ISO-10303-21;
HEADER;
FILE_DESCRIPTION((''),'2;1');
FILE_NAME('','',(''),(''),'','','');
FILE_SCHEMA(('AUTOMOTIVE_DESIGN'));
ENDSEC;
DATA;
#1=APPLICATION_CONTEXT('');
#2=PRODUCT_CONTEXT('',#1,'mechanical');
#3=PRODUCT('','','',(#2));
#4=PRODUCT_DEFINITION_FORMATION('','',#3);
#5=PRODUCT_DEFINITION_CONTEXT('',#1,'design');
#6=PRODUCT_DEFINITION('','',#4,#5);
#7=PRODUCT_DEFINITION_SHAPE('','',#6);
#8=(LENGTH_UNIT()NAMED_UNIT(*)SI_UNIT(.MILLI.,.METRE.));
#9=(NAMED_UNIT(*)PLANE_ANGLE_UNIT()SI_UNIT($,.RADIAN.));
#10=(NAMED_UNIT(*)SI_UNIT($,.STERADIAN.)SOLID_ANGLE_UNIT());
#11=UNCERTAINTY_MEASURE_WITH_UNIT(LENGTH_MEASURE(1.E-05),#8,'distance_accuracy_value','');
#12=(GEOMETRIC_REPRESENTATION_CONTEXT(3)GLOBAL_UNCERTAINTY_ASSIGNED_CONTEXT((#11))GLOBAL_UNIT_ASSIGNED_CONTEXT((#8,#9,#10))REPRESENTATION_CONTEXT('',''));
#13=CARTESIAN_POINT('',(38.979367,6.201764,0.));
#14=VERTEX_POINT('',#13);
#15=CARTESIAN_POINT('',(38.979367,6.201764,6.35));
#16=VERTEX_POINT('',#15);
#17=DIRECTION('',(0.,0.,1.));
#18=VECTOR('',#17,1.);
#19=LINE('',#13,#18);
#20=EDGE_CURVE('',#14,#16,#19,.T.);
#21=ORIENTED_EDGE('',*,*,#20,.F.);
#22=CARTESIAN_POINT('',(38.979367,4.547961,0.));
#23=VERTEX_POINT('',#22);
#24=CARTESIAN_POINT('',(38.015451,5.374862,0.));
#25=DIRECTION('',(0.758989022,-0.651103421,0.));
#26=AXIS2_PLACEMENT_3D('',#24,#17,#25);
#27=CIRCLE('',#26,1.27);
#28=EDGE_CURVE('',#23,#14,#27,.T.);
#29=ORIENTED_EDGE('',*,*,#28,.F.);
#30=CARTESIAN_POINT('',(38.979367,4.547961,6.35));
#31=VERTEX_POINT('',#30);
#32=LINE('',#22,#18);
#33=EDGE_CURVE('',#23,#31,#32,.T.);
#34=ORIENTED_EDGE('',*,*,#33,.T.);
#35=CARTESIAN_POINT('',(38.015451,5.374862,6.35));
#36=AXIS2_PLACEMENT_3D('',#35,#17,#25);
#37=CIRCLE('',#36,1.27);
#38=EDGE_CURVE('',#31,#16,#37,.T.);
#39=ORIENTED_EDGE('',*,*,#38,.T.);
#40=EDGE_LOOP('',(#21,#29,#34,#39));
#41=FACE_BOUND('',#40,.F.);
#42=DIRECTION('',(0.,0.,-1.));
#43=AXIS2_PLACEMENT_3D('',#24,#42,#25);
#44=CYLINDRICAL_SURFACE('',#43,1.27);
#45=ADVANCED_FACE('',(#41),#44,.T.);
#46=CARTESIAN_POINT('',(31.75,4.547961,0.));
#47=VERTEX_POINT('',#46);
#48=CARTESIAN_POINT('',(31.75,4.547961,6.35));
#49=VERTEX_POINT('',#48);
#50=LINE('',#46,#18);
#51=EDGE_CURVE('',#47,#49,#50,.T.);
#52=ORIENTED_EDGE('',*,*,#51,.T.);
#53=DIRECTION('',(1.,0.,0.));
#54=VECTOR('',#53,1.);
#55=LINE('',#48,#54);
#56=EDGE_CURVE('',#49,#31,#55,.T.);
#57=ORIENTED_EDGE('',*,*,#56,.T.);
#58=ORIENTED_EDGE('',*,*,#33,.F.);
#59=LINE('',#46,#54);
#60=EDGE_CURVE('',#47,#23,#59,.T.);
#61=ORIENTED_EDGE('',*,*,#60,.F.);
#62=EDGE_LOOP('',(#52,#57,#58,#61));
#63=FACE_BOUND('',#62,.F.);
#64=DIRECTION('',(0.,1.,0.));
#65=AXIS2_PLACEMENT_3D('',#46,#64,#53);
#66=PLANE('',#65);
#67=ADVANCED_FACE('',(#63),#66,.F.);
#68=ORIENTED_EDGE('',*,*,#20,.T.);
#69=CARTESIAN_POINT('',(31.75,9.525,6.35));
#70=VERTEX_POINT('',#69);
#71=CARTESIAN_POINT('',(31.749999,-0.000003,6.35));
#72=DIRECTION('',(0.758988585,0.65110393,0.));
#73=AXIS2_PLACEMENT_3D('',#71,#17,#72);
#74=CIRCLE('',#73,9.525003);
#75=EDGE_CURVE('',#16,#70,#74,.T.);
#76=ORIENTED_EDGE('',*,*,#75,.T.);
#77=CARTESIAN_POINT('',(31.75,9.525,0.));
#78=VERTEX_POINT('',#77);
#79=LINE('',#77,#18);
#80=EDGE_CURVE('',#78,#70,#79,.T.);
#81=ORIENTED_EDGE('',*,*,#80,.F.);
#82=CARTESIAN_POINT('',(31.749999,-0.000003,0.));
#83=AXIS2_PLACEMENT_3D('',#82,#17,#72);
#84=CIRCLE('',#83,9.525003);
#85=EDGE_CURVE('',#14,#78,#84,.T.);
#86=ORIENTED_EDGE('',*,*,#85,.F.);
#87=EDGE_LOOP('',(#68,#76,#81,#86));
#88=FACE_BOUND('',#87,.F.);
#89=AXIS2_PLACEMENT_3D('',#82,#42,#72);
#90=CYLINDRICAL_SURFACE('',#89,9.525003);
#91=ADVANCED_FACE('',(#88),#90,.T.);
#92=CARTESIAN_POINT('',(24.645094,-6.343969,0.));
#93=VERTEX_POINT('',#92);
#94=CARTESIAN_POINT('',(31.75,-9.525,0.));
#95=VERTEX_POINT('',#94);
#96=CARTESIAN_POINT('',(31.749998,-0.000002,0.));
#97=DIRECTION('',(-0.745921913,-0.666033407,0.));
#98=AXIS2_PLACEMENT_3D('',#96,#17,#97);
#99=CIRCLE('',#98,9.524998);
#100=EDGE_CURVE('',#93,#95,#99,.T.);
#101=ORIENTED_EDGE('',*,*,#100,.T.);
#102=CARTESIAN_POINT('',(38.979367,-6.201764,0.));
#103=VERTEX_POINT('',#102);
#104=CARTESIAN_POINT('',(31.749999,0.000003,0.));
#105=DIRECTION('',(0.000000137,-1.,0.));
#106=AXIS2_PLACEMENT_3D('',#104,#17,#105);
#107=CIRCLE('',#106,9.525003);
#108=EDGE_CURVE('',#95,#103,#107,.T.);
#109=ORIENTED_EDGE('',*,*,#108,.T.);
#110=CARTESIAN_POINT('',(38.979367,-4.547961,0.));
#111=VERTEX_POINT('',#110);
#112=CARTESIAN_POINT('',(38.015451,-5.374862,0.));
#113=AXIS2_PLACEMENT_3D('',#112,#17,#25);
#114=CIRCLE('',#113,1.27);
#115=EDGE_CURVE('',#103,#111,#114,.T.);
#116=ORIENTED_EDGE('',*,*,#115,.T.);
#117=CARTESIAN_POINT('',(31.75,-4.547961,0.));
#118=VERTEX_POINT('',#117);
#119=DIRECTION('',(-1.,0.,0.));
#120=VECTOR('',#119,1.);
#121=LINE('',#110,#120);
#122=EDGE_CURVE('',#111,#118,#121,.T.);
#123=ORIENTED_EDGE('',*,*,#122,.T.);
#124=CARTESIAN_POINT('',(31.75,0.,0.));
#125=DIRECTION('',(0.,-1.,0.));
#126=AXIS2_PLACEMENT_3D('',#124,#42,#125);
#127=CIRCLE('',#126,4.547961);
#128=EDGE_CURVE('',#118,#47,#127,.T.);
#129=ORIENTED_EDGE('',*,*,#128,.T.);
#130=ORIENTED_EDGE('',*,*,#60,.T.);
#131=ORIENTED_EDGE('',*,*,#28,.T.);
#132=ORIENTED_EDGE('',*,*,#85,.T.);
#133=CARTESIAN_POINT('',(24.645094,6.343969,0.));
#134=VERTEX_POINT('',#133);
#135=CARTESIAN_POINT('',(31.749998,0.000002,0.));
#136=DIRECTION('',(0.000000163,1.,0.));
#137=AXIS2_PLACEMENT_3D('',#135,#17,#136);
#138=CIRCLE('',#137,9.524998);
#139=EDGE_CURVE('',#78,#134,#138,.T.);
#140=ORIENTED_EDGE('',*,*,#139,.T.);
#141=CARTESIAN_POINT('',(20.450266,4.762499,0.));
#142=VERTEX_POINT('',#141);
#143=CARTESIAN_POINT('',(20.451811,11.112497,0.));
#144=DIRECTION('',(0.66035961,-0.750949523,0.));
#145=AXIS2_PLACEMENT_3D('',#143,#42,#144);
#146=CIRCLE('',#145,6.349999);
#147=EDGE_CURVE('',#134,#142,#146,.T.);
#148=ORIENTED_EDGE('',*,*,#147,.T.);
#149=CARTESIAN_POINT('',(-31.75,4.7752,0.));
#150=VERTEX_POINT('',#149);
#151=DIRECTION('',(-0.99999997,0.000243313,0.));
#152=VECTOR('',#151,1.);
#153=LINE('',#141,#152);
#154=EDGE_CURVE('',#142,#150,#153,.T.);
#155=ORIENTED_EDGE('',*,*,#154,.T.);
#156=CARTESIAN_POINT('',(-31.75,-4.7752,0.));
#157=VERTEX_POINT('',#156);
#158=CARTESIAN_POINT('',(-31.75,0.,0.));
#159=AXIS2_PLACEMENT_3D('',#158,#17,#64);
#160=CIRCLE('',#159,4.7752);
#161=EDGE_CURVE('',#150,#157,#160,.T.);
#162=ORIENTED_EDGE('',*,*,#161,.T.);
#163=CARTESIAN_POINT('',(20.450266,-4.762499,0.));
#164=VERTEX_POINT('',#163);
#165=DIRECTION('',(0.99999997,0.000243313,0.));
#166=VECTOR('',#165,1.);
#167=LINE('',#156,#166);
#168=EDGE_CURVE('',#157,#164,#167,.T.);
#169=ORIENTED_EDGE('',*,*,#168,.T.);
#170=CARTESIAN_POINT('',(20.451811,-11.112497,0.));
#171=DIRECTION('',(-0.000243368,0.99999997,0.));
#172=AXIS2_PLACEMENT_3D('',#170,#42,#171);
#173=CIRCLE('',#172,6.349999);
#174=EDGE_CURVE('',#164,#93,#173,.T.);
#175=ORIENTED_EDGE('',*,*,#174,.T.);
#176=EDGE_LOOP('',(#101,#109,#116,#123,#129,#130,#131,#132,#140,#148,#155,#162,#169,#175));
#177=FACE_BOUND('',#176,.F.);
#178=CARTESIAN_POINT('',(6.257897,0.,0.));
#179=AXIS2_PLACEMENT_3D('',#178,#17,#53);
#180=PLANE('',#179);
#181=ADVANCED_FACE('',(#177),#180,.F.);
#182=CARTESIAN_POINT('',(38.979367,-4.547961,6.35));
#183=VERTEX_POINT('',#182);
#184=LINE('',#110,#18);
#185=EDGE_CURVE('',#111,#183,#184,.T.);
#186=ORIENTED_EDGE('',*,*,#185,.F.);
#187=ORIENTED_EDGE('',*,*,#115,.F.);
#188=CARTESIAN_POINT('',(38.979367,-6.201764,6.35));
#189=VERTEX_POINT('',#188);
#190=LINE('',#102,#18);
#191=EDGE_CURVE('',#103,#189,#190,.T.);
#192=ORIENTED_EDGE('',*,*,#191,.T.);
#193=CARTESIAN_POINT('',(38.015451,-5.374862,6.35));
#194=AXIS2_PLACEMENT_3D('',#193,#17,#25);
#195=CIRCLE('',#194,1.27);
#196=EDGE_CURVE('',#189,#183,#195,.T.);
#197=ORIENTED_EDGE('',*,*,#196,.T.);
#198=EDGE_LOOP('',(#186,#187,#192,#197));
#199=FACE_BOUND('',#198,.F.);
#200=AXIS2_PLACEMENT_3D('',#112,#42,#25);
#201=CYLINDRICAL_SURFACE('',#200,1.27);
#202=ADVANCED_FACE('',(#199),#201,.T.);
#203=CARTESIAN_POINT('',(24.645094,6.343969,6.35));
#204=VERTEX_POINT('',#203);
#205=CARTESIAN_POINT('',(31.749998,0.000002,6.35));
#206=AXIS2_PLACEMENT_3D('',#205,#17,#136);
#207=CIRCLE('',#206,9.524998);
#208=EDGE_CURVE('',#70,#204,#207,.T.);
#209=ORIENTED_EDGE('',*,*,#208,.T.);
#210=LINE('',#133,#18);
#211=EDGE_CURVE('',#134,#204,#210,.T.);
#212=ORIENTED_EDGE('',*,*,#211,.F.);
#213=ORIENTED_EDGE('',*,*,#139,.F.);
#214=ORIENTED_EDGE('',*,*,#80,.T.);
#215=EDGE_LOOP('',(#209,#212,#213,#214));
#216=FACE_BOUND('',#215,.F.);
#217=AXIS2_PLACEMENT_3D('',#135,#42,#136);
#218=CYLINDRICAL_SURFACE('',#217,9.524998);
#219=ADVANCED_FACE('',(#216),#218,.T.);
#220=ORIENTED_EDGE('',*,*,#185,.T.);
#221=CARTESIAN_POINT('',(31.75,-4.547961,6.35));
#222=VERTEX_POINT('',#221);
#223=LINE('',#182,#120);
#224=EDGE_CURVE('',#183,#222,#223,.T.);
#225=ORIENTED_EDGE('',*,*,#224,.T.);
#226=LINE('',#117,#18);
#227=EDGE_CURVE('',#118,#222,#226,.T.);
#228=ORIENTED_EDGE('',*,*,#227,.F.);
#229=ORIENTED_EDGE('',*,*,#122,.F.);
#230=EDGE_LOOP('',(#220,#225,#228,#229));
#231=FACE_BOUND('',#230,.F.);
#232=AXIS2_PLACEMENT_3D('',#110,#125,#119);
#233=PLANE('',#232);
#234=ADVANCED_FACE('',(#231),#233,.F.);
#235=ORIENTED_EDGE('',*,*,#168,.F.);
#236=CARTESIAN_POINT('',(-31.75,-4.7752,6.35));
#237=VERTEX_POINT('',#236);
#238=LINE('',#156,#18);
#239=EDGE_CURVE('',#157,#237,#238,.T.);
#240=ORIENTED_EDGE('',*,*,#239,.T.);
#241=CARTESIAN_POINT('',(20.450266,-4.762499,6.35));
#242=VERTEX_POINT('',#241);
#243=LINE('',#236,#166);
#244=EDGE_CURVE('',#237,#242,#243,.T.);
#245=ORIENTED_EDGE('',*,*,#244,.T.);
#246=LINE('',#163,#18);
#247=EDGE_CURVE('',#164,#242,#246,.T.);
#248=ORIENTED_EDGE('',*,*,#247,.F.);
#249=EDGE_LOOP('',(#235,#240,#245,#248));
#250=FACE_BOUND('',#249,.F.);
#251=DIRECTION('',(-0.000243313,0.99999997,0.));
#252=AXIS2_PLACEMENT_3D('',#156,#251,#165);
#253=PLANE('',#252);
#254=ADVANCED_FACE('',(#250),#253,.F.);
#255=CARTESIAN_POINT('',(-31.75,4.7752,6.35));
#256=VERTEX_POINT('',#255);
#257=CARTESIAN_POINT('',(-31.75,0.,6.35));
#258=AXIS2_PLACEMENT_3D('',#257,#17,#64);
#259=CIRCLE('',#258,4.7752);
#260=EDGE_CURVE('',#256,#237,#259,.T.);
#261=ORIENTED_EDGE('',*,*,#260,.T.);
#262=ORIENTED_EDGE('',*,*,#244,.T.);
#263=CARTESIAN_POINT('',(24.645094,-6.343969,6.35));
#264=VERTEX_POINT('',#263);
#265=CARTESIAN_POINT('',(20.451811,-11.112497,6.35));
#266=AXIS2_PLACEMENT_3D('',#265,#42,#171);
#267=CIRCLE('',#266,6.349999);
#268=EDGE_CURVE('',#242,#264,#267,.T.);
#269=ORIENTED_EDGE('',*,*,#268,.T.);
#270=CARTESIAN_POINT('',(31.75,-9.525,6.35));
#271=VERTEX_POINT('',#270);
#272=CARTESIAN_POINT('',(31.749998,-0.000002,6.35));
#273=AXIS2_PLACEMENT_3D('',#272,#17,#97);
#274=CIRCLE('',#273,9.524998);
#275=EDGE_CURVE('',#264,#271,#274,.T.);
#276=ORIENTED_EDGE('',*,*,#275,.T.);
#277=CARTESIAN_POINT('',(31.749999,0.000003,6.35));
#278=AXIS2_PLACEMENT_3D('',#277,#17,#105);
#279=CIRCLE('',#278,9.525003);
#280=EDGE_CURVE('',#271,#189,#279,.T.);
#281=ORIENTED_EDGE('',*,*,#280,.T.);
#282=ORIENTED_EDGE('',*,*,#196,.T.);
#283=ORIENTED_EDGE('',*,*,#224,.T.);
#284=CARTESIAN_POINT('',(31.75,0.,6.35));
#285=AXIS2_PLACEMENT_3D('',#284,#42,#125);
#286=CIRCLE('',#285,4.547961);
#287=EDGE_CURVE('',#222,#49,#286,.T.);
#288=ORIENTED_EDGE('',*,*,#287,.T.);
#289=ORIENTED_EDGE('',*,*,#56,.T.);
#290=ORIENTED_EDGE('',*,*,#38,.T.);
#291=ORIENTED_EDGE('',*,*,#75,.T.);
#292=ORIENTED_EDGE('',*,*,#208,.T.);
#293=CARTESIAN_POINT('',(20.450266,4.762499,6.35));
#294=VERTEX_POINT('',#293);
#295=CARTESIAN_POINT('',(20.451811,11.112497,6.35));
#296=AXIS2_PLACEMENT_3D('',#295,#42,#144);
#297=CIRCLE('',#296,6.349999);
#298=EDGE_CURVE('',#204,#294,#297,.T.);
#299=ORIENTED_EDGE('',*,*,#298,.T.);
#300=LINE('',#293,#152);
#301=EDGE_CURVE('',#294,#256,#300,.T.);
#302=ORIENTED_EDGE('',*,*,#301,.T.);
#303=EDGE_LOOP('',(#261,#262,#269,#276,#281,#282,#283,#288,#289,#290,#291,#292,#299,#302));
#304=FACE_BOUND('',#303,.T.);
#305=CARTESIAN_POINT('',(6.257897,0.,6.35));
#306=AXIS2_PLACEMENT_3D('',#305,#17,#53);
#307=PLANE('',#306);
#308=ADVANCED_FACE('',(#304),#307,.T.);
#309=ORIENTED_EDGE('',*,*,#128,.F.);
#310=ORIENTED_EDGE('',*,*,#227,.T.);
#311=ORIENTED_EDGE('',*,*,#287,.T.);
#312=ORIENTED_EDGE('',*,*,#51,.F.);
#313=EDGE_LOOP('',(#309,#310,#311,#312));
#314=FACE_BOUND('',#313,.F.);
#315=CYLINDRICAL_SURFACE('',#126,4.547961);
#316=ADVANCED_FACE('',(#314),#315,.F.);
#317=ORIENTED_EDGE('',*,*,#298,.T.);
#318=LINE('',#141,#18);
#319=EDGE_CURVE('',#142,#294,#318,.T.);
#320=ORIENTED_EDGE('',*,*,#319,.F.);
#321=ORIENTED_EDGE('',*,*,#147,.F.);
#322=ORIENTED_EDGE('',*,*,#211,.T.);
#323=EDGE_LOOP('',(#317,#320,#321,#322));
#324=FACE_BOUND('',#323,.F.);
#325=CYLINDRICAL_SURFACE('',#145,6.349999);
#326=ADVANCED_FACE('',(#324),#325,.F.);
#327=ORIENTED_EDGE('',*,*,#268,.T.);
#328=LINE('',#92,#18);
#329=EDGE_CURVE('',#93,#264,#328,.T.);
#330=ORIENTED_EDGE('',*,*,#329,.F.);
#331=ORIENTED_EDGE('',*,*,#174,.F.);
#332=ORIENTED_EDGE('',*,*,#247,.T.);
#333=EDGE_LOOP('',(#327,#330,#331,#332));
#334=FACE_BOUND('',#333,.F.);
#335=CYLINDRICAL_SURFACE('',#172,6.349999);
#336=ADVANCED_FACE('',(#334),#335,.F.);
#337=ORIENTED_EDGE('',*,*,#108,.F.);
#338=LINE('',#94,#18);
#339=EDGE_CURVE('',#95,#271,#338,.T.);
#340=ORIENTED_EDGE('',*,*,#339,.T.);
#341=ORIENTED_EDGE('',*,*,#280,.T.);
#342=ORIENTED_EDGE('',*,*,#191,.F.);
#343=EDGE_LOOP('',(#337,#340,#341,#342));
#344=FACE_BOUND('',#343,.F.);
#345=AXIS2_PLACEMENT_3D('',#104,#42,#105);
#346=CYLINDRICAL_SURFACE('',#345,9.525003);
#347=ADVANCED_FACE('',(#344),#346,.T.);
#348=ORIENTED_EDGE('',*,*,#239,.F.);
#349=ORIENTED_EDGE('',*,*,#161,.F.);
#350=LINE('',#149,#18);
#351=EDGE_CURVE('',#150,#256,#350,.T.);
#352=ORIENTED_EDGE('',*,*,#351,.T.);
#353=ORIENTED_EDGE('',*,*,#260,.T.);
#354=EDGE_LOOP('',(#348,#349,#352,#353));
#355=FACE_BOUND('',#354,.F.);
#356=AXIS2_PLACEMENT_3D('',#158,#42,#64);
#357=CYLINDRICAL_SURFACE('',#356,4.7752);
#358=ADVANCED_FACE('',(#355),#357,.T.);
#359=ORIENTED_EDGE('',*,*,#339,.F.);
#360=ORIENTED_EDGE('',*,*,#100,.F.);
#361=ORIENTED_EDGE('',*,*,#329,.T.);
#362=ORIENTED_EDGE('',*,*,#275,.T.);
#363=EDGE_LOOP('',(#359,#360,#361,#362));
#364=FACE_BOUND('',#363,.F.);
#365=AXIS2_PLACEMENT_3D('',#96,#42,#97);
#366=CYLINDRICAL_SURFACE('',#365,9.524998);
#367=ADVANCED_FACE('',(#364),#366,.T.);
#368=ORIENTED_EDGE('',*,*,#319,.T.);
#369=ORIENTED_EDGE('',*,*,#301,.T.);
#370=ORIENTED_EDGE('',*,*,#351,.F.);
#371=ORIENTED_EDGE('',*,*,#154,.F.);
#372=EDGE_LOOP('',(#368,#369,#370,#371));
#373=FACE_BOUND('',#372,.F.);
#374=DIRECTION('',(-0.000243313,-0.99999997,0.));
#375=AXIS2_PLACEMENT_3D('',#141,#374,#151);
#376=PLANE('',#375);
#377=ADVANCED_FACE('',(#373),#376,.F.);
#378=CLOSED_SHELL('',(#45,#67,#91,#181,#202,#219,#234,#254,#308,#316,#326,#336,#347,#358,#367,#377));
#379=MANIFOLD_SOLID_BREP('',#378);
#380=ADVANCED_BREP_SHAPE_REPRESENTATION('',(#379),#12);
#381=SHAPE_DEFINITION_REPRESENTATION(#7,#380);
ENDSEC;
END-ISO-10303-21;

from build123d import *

# Parameters (mm, degrees)
F1_DEPTH = 6.35


with BuildPart() as f1:
    # F0 (on Top) → F1 (new body)
    with BuildSketch(Plane.XY):
        with BuildLine():
            Line((20.450266, 4.762499), (-31.75, 4.7752))
            ThreePointArc((-31.75, 4.7752), (-36.5252, 0), (-31.75, -4.7752))
            Line((-31.75, -4.7752), (20.450266, -4.762499))
            ThreePointArc((20.450266, -4.762499), (22.691885, -5.170734), (24.645094, -6.343969))
            ThreePointArc((24.645094, -6.343969), (27.857743, -8.693444), (31.75, -9.525))
            ThreePointArc((31.75, -9.525), (35.728305, -8.654404), (38.979367, -6.201764))
            ThreePointArc((38.979367, -6.201764), (39.285451, -5.374863), (38.979367, -4.547961))
            Line((38.979367, -4.547961), (31.75, -4.547961))
            ThreePointArc((31.75, -4.547961), (27.202039, 0), (31.75, 4.547961))
            Line((31.75, 4.547961), (38.979367, 4.547961))
            ThreePointArc((38.979367, 4.547961), (39.285451, 5.374863), (38.979367, 6.201764))
            ThreePointArc((38.979367, 6.201764), (35.728305, 8.654404), (31.75, 9.525))
            ThreePointArc((31.75, 9.525), (27.857743, 8.693444), (24.645094, 6.343969))
            ThreePointArc((24.645094, 6.343969), (22.691885, 5.170734), (20.450266, 4.762499))
        make_face()
    extrude(amount=F1_DEPTH)


solid = f1.part
